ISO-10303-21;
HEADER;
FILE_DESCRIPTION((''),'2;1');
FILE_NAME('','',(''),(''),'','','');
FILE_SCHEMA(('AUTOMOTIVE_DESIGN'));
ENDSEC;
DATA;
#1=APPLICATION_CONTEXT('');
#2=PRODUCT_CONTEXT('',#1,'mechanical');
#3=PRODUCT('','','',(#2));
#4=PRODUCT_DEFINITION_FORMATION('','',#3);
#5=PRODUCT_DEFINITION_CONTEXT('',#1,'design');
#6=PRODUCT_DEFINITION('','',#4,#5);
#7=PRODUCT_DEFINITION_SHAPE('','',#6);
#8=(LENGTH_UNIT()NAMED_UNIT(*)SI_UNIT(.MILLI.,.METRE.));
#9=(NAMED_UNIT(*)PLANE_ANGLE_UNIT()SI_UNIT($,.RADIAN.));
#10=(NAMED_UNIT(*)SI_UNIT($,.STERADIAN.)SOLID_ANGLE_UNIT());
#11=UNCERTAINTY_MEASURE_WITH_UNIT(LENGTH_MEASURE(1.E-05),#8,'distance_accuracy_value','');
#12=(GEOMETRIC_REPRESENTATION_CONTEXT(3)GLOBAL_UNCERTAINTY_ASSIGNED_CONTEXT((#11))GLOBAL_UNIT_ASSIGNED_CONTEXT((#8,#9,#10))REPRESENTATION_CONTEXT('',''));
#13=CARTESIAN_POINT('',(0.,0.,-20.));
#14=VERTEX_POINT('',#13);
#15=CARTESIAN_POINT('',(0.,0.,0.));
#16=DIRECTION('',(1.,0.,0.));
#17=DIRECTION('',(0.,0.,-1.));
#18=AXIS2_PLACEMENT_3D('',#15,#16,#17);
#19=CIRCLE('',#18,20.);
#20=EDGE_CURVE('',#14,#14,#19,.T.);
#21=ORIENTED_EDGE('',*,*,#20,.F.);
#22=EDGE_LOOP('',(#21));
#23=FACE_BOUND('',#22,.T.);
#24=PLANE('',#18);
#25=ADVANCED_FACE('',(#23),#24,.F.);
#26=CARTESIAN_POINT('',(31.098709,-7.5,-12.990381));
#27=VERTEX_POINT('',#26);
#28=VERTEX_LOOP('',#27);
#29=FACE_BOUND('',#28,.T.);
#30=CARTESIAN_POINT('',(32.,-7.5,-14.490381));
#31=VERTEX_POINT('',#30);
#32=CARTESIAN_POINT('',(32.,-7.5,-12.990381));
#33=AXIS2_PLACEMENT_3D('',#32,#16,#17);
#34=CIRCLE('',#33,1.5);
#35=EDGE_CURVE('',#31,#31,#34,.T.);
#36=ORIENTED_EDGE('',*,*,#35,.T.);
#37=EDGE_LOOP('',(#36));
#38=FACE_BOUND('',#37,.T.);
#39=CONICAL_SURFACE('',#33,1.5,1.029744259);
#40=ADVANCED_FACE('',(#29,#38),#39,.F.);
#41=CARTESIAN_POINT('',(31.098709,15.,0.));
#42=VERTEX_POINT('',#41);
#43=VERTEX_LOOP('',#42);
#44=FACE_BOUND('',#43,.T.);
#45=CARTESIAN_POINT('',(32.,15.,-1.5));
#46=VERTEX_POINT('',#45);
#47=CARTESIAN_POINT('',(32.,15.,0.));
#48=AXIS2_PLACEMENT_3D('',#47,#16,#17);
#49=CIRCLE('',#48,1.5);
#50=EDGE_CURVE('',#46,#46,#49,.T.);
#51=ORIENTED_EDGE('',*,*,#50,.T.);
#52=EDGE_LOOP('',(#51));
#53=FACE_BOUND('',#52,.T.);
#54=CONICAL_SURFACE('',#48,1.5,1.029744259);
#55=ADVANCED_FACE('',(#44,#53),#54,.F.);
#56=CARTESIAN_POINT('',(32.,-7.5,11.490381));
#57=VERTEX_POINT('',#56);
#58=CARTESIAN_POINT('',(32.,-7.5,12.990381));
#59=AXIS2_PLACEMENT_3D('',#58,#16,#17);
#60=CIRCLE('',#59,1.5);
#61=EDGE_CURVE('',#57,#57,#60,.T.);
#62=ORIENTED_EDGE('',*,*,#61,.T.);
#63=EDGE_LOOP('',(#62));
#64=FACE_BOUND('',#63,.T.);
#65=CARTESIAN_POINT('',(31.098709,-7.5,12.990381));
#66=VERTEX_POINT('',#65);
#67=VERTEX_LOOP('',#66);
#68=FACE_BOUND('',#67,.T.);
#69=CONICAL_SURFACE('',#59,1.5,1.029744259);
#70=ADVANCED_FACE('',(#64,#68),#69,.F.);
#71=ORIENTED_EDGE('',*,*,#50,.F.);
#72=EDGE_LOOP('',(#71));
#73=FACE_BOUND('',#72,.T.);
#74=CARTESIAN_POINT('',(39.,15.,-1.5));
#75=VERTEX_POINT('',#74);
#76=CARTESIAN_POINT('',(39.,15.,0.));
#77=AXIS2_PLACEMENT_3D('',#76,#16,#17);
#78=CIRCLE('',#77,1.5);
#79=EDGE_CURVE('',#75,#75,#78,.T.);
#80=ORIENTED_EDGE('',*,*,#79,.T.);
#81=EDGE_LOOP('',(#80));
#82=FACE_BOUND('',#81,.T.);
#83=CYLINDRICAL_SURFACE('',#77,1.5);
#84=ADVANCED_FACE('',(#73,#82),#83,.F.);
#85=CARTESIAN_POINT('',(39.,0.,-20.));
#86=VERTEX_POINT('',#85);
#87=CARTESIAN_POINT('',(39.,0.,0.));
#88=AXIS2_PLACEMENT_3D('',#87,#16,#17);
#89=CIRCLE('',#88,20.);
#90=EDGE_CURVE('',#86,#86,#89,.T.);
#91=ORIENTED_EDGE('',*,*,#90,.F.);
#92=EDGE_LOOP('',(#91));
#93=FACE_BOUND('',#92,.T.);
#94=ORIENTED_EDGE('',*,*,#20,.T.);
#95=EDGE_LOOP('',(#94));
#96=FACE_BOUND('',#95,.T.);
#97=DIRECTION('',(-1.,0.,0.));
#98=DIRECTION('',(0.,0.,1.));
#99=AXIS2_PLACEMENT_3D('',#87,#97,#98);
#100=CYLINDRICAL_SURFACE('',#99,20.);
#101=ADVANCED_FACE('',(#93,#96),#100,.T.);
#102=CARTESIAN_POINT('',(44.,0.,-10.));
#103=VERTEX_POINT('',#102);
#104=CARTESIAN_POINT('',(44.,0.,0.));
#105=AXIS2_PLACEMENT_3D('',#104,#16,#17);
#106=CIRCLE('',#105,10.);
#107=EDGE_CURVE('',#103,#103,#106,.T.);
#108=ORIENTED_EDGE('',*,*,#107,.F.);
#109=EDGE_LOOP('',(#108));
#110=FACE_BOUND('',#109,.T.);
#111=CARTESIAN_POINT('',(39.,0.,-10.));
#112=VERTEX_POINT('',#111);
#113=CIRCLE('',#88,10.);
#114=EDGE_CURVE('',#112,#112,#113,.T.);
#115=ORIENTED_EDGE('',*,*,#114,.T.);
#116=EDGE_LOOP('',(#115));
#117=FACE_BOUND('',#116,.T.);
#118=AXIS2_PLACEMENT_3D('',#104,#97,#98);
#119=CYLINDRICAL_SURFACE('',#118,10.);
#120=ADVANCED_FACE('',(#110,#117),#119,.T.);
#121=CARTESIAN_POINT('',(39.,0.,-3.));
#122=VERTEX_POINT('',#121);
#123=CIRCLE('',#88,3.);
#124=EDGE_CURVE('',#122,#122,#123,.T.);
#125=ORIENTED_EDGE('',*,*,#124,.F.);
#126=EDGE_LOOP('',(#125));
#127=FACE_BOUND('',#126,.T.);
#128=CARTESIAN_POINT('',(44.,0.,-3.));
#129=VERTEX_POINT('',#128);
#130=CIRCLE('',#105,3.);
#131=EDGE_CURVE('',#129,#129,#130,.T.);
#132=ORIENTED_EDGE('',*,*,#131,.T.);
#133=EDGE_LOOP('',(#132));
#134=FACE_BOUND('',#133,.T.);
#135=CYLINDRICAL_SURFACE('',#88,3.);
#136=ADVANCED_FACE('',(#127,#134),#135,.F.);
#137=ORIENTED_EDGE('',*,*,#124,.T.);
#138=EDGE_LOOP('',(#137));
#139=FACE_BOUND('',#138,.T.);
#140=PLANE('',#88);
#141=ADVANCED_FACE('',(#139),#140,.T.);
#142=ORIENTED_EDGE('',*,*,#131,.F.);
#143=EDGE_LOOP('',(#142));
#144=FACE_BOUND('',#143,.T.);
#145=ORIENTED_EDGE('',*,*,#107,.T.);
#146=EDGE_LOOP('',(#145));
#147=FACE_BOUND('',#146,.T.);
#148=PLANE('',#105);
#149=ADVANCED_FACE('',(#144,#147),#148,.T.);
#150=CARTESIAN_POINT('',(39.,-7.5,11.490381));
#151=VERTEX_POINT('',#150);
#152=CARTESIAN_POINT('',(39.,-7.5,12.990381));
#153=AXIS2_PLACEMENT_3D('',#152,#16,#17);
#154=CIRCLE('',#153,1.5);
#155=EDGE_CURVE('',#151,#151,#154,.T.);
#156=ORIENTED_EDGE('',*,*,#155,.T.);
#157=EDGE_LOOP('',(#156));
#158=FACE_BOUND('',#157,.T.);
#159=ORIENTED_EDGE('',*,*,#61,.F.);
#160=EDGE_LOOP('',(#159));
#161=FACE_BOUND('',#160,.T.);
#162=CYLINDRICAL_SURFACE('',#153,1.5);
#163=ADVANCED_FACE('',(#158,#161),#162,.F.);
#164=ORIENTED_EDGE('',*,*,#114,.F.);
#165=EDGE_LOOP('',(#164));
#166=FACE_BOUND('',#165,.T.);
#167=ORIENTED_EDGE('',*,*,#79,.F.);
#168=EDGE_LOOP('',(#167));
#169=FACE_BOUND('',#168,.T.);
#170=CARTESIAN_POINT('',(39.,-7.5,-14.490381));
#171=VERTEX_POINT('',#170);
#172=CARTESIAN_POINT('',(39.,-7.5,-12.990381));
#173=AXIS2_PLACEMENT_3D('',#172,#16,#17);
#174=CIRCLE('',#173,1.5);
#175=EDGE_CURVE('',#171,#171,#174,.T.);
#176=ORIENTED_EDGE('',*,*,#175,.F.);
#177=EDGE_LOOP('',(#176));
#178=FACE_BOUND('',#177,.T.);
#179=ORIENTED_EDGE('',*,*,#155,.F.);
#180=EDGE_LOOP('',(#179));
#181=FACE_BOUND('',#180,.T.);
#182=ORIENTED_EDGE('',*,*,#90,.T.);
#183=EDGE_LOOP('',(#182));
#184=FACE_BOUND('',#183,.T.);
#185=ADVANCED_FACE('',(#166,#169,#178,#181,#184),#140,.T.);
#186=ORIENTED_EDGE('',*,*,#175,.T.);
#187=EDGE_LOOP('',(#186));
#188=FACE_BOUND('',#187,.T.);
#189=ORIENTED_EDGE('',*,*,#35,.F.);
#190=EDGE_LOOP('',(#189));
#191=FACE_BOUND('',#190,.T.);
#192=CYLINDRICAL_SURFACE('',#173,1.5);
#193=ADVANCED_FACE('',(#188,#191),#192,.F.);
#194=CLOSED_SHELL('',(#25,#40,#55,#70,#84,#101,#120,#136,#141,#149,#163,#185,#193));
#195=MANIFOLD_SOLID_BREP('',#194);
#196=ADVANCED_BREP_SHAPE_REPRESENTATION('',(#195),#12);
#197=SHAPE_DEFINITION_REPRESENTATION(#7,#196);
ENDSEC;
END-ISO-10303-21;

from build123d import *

# Parameters (mm, degrees)
SKETCH1_R                 = 20
BOSS_EXTRUDE1_DEPTH       = 39
SKETCH2_R                 = 10
BOSS_EXTRUDE2_DEPTH       = 5
F_3_0MM_DOWEL_HOLE1_D     = 3
F_3_0MM_DOWEL_HOLE1_DEPTH = 7
F_3_0MM_DOWEL_HOLE1_TIP   = 0.901290929
SKETCH3_R                 = 3
CUT_EXTRUDE2_DEPTH        = 5


with BuildPart() as part:
    # Sketch1 → Boss-Extrude1 (new body)
    with BuildSketch(Plane(origin=(0, 0, 0), x_dir=(0, 0, -1), z_dir=(1, 0, 0))):
        Circle(SKETCH1_R)
    extrude(amount=BOSS_EXTRUDE1_DEPTH)

    # Sketch2 → Boss-Extrude2 (add)
    with BuildSketch(Plane(origin=(39, 0, 0), x_dir=(0, 0, -1), z_dir=(1, 0, 0))):
        Circle(SKETCH2_R)
    extrude(amount=BOSS_EXTRUDE2_DEPTH)

    # Ø3.0mm Dowel Hole1
    with Locations(Plane(origin=(39, 15, 0), x_dir=(0, 0, 1), z_dir=(1, 0, 0))):
        with Locations((0, 0), (-12.990381057, 22.5), (12.990381057, 22.5)):
            Hole(F_3_0MM_DOWEL_HOLE1_D / 2, depth=F_3_0MM_DOWEL_HOLE1_DEPTH)
            with Locations((0, 0, -(F_3_0MM_DOWEL_HOLE1_DEPTH + F_3_0MM_DOWEL_HOLE1_TIP / 2))):  # 118° drill point
                Cone(0, F_3_0MM_DOWEL_HOLE1_D / 2, F_3_0MM_DOWEL_HOLE1_TIP, mode=Mode.SUBTRACT)

    # Sketch3 → Cut-Extrude2 (cut)
    with BuildSketch(Plane(origin=(44, 0, 0), x_dir=(0, 0, -1), z_dir=(1, 0, 0))):
        Circle(SKETCH3_R)
    extrude(amount=-CUT_EXTRUDE2_DEPTH, mode=Mode.SUBTRACT)


solid = part.part
